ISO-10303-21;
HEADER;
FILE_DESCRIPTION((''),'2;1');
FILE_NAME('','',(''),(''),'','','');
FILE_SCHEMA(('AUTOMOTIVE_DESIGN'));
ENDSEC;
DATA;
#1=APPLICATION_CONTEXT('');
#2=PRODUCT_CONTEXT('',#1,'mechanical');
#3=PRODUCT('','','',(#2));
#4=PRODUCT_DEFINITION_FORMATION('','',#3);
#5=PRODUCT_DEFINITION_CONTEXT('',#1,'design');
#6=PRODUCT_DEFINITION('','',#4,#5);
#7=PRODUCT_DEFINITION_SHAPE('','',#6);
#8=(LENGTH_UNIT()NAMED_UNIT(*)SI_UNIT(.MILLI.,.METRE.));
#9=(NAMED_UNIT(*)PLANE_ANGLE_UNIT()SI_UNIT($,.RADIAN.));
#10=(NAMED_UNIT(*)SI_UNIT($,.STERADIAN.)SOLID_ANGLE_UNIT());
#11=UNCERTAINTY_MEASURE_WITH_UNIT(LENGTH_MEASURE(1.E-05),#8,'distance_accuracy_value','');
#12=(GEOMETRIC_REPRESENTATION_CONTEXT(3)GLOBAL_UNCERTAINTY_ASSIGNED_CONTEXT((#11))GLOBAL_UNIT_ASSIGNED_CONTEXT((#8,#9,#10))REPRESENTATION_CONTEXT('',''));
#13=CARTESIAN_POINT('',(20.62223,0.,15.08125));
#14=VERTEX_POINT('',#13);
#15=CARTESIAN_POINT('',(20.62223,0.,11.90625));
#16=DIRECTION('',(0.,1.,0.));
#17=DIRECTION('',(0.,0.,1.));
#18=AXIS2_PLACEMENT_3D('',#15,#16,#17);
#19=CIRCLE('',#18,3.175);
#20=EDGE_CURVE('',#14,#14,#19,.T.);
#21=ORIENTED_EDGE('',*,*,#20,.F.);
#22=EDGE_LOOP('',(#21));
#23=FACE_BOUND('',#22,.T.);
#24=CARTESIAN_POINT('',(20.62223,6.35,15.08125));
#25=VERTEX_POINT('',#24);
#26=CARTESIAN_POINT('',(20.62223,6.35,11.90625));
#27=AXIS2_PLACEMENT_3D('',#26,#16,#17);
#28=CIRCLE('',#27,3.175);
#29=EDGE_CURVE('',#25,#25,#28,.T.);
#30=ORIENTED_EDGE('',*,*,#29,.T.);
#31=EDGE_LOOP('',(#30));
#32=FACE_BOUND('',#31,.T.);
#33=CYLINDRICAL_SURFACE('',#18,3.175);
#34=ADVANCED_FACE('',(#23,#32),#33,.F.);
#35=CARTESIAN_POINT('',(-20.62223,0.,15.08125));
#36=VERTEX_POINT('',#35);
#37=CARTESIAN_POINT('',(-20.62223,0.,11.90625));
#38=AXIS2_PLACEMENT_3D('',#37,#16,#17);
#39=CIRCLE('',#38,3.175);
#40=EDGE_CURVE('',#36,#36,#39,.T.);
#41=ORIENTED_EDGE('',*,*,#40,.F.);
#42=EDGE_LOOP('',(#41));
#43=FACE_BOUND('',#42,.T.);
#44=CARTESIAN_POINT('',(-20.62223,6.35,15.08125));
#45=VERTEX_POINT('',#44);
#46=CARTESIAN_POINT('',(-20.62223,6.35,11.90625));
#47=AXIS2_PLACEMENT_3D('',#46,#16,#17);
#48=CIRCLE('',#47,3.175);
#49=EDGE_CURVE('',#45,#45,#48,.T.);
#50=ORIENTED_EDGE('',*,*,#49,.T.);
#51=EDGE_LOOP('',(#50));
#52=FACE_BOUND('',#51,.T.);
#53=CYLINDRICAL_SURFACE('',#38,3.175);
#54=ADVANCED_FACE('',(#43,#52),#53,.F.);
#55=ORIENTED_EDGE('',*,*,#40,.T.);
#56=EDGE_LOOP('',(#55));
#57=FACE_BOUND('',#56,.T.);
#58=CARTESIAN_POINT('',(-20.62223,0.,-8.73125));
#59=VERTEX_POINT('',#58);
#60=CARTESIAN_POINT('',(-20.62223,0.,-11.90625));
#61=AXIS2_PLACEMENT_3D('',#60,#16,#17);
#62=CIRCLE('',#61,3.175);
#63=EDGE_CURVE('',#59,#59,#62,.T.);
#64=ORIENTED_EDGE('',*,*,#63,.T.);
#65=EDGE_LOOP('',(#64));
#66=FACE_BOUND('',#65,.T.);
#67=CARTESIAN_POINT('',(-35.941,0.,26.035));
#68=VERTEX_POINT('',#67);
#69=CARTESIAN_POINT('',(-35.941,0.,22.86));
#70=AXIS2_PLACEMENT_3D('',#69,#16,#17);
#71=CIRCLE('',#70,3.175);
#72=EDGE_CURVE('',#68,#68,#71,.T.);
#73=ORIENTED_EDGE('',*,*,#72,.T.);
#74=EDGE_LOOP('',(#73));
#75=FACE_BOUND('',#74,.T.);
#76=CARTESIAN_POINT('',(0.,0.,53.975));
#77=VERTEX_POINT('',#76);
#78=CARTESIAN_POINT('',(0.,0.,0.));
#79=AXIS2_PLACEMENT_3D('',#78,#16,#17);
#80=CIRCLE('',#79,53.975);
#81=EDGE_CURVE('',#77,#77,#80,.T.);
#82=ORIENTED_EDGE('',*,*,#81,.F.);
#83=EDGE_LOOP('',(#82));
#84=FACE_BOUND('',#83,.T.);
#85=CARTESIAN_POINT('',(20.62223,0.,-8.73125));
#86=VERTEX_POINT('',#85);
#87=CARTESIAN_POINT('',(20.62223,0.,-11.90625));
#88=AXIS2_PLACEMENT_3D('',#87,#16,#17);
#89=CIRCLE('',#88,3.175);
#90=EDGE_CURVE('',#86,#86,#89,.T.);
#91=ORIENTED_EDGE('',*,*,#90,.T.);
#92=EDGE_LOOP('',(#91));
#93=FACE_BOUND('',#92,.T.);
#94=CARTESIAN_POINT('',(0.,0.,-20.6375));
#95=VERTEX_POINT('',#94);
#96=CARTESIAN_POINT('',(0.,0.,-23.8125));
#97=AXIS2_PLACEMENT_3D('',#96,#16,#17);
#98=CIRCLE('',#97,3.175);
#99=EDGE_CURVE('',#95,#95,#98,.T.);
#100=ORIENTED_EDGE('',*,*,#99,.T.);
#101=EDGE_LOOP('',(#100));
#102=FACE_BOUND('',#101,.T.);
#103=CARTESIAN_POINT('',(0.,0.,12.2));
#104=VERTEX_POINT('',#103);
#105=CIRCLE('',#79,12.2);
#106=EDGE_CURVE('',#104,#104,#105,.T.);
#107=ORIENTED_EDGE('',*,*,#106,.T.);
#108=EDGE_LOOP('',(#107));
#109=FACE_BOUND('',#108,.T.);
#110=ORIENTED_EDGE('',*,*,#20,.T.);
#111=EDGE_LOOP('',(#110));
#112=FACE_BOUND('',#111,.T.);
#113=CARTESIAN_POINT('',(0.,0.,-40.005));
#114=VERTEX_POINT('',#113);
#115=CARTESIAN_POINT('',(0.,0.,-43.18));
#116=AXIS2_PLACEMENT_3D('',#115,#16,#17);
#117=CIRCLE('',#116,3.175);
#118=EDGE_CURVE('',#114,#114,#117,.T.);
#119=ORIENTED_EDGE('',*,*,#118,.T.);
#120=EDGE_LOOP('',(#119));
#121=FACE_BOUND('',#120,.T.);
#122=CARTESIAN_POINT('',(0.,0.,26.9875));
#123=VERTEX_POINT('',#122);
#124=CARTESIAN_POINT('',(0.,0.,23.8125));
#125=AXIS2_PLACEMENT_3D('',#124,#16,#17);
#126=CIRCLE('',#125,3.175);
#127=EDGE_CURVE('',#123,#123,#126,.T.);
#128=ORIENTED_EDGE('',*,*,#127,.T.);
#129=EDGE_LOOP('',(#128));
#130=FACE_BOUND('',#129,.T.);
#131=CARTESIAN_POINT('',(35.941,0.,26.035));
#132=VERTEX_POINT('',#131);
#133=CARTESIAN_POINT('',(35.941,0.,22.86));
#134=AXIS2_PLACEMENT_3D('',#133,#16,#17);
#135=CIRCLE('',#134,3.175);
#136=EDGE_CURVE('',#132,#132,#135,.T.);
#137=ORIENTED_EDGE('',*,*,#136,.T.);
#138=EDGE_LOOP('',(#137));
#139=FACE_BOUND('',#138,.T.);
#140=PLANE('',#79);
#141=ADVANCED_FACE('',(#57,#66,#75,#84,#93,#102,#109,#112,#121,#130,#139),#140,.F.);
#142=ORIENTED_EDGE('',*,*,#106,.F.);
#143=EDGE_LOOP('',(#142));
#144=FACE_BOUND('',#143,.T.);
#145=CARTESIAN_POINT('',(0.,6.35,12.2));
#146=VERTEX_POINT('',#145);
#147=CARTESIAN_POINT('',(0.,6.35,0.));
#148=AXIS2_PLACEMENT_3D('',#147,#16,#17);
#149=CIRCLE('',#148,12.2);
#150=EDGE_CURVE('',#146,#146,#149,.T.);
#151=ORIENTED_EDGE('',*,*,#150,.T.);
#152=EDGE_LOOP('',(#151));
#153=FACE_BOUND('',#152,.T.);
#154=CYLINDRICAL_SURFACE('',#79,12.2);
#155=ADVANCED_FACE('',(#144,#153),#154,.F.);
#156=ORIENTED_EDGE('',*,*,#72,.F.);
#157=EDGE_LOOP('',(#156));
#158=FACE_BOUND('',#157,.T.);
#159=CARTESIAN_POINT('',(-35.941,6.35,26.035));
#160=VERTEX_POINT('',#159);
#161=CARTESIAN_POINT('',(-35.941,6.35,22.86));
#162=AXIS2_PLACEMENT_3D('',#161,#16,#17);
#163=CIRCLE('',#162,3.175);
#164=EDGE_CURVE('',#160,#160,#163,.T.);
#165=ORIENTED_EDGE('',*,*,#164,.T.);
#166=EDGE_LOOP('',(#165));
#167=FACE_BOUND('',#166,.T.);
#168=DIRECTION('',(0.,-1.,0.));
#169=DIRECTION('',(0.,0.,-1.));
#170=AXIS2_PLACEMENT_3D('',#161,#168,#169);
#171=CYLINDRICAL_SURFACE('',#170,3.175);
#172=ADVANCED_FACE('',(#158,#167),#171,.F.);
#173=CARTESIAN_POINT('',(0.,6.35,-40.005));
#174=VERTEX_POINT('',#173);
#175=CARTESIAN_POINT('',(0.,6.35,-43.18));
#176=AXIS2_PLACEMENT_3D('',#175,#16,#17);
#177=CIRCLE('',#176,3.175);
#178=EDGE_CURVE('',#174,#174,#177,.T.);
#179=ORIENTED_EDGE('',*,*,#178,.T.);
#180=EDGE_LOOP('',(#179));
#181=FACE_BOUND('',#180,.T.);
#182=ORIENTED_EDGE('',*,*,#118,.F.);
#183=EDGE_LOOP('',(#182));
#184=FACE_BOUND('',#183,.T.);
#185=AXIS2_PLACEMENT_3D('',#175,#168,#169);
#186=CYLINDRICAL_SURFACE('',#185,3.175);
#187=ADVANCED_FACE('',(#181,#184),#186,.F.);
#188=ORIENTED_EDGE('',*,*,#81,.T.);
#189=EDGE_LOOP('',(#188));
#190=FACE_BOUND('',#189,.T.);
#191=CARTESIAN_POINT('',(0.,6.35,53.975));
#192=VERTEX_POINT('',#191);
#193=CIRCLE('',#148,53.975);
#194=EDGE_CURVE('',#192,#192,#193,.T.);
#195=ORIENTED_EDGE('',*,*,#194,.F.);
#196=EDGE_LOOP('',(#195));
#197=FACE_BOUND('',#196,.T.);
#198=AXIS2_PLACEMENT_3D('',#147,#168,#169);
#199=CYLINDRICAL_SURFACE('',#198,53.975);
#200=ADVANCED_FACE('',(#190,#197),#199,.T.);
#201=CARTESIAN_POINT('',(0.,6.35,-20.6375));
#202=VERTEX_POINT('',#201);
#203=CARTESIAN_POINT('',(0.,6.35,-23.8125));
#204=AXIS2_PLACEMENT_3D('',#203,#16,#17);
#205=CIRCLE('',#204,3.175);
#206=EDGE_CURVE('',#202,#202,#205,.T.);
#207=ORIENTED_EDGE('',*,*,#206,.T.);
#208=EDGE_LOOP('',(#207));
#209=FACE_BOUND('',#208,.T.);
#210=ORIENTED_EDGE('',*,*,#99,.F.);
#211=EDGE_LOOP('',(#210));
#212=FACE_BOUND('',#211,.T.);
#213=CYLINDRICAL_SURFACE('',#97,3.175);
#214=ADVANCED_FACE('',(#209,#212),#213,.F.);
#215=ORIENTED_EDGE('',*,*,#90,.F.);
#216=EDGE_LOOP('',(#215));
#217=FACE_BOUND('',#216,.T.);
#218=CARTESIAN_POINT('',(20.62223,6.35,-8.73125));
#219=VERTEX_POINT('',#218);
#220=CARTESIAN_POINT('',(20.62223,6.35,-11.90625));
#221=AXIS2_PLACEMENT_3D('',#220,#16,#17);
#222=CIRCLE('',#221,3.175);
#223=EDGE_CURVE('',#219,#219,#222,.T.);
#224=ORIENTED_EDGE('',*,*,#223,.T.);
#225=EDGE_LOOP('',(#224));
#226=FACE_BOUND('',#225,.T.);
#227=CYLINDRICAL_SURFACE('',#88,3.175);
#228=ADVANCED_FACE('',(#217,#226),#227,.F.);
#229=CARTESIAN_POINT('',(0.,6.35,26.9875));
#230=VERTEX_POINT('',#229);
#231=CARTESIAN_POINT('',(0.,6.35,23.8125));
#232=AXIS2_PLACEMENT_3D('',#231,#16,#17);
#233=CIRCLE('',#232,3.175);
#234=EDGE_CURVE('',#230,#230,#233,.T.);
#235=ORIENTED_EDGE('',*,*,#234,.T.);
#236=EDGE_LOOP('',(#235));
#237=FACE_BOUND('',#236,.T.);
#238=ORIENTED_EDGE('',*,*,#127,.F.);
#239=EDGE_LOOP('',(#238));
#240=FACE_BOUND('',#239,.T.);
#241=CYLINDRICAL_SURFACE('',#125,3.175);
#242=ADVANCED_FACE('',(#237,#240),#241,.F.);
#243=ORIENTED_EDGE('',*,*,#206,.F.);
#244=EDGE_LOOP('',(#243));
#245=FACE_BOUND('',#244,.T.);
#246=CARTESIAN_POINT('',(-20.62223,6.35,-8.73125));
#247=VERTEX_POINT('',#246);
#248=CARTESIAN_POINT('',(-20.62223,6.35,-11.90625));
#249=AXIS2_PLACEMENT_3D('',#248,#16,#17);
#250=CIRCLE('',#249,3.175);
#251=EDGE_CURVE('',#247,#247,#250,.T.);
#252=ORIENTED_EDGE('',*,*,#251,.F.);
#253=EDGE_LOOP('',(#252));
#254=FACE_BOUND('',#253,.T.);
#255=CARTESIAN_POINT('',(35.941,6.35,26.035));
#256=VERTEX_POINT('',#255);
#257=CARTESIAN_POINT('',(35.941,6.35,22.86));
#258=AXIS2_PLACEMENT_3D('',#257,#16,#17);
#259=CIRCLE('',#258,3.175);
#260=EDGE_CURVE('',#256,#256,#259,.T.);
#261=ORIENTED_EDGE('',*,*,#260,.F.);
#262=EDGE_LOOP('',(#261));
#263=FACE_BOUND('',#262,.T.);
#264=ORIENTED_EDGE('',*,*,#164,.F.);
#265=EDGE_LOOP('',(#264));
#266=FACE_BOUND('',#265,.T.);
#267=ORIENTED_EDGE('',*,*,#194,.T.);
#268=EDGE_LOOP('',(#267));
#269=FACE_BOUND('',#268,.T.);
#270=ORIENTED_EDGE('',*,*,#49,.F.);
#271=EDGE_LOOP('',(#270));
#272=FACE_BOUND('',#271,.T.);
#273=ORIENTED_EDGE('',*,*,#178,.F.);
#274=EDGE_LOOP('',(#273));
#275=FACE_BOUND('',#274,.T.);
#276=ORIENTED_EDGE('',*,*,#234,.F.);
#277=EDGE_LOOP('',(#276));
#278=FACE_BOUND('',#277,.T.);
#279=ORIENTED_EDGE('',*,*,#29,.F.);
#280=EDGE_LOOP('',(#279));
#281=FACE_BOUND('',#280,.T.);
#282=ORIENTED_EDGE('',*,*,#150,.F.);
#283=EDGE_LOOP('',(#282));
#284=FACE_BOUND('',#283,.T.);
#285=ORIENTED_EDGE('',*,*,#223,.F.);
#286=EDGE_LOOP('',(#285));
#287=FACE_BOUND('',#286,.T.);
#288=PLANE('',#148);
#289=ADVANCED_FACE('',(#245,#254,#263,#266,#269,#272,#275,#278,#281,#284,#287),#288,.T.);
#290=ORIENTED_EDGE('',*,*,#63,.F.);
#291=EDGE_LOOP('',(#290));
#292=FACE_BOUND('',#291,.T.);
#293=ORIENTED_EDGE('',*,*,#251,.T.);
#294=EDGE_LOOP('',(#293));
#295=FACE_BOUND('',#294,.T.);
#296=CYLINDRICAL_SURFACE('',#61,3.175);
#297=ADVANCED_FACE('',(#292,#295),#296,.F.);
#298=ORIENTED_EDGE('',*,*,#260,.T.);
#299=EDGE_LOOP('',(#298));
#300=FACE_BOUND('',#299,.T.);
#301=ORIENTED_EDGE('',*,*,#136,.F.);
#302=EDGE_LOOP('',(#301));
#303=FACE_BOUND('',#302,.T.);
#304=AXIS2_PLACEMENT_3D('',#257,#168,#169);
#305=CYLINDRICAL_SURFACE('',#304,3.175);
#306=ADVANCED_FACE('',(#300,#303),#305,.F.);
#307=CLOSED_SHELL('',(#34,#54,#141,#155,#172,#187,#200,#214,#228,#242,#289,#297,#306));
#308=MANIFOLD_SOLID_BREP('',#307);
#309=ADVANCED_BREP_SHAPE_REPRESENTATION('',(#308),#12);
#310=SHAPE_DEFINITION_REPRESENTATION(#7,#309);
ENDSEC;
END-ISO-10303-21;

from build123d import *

# Parameters (mm, degrees)
SKETCH1_R           = 53.975
SKETCH1_R_2         = 3.175
BOSS_EXTRUDE1_DEPTH = 6.35
SKETCH2_R           = 3.175
SKETCH2_R_2         = 12.2
CUT_EXTRUDE1_DEPTH  = 7.35


with BuildPart() as part:
    # Sketch1 → Boss-Extrude1 (new body)
    with BuildSketch(Plane(origin=(0, 0, 0), x_dir=(1, 0, 0), z_dir=(0, 1, 0))):
        Circle(SKETCH1_R)
        with Locations((0, 43.18)):
            Circle(SKETCH1_R_2, mode=Mode.SUBTRACT)
        with Locations((35.941, -22.86)):
            Circle(SKETCH1_R_2, mode=Mode.SUBTRACT)
        with Locations((-35.941, -22.86)):
            Circle(SKETCH1_R_2, mode=Mode.SUBTRACT)
    extrude(amount=BOSS_EXTRUDE1_DEPTH)

    # Sketch2 → Cut-Extrude1 (cut, through all)
    with BuildSketch(Plane(origin=(0, 6.35, 0), x_dir=(1, 0, 0), z_dir=(0, 1, 0))):
        with Locations((0, 23.8125)):
            Circle(SKETCH2_R)
        with Locations((20.622229928, 11.90625)):
            Circle(SKETCH2_R)
        with Locations((20.622229928, -11.90625)):
            Circle(SKETCH2_R)
        with Locations((0, -23.8125)):
            Circle(SKETCH2_R)
        with Locations((-20.622229928, -11.90625)):
            Circle(SKETCH2_R)
        with Locations((-20.622229928, 11.90625)):
            Circle(SKETCH2_R)
        Circle(SKETCH2_R_2)
    extrude(amount=-CUT_EXTRUDE1_DEPTH, mode=Mode.SUBTRACT)


solid = part.part
